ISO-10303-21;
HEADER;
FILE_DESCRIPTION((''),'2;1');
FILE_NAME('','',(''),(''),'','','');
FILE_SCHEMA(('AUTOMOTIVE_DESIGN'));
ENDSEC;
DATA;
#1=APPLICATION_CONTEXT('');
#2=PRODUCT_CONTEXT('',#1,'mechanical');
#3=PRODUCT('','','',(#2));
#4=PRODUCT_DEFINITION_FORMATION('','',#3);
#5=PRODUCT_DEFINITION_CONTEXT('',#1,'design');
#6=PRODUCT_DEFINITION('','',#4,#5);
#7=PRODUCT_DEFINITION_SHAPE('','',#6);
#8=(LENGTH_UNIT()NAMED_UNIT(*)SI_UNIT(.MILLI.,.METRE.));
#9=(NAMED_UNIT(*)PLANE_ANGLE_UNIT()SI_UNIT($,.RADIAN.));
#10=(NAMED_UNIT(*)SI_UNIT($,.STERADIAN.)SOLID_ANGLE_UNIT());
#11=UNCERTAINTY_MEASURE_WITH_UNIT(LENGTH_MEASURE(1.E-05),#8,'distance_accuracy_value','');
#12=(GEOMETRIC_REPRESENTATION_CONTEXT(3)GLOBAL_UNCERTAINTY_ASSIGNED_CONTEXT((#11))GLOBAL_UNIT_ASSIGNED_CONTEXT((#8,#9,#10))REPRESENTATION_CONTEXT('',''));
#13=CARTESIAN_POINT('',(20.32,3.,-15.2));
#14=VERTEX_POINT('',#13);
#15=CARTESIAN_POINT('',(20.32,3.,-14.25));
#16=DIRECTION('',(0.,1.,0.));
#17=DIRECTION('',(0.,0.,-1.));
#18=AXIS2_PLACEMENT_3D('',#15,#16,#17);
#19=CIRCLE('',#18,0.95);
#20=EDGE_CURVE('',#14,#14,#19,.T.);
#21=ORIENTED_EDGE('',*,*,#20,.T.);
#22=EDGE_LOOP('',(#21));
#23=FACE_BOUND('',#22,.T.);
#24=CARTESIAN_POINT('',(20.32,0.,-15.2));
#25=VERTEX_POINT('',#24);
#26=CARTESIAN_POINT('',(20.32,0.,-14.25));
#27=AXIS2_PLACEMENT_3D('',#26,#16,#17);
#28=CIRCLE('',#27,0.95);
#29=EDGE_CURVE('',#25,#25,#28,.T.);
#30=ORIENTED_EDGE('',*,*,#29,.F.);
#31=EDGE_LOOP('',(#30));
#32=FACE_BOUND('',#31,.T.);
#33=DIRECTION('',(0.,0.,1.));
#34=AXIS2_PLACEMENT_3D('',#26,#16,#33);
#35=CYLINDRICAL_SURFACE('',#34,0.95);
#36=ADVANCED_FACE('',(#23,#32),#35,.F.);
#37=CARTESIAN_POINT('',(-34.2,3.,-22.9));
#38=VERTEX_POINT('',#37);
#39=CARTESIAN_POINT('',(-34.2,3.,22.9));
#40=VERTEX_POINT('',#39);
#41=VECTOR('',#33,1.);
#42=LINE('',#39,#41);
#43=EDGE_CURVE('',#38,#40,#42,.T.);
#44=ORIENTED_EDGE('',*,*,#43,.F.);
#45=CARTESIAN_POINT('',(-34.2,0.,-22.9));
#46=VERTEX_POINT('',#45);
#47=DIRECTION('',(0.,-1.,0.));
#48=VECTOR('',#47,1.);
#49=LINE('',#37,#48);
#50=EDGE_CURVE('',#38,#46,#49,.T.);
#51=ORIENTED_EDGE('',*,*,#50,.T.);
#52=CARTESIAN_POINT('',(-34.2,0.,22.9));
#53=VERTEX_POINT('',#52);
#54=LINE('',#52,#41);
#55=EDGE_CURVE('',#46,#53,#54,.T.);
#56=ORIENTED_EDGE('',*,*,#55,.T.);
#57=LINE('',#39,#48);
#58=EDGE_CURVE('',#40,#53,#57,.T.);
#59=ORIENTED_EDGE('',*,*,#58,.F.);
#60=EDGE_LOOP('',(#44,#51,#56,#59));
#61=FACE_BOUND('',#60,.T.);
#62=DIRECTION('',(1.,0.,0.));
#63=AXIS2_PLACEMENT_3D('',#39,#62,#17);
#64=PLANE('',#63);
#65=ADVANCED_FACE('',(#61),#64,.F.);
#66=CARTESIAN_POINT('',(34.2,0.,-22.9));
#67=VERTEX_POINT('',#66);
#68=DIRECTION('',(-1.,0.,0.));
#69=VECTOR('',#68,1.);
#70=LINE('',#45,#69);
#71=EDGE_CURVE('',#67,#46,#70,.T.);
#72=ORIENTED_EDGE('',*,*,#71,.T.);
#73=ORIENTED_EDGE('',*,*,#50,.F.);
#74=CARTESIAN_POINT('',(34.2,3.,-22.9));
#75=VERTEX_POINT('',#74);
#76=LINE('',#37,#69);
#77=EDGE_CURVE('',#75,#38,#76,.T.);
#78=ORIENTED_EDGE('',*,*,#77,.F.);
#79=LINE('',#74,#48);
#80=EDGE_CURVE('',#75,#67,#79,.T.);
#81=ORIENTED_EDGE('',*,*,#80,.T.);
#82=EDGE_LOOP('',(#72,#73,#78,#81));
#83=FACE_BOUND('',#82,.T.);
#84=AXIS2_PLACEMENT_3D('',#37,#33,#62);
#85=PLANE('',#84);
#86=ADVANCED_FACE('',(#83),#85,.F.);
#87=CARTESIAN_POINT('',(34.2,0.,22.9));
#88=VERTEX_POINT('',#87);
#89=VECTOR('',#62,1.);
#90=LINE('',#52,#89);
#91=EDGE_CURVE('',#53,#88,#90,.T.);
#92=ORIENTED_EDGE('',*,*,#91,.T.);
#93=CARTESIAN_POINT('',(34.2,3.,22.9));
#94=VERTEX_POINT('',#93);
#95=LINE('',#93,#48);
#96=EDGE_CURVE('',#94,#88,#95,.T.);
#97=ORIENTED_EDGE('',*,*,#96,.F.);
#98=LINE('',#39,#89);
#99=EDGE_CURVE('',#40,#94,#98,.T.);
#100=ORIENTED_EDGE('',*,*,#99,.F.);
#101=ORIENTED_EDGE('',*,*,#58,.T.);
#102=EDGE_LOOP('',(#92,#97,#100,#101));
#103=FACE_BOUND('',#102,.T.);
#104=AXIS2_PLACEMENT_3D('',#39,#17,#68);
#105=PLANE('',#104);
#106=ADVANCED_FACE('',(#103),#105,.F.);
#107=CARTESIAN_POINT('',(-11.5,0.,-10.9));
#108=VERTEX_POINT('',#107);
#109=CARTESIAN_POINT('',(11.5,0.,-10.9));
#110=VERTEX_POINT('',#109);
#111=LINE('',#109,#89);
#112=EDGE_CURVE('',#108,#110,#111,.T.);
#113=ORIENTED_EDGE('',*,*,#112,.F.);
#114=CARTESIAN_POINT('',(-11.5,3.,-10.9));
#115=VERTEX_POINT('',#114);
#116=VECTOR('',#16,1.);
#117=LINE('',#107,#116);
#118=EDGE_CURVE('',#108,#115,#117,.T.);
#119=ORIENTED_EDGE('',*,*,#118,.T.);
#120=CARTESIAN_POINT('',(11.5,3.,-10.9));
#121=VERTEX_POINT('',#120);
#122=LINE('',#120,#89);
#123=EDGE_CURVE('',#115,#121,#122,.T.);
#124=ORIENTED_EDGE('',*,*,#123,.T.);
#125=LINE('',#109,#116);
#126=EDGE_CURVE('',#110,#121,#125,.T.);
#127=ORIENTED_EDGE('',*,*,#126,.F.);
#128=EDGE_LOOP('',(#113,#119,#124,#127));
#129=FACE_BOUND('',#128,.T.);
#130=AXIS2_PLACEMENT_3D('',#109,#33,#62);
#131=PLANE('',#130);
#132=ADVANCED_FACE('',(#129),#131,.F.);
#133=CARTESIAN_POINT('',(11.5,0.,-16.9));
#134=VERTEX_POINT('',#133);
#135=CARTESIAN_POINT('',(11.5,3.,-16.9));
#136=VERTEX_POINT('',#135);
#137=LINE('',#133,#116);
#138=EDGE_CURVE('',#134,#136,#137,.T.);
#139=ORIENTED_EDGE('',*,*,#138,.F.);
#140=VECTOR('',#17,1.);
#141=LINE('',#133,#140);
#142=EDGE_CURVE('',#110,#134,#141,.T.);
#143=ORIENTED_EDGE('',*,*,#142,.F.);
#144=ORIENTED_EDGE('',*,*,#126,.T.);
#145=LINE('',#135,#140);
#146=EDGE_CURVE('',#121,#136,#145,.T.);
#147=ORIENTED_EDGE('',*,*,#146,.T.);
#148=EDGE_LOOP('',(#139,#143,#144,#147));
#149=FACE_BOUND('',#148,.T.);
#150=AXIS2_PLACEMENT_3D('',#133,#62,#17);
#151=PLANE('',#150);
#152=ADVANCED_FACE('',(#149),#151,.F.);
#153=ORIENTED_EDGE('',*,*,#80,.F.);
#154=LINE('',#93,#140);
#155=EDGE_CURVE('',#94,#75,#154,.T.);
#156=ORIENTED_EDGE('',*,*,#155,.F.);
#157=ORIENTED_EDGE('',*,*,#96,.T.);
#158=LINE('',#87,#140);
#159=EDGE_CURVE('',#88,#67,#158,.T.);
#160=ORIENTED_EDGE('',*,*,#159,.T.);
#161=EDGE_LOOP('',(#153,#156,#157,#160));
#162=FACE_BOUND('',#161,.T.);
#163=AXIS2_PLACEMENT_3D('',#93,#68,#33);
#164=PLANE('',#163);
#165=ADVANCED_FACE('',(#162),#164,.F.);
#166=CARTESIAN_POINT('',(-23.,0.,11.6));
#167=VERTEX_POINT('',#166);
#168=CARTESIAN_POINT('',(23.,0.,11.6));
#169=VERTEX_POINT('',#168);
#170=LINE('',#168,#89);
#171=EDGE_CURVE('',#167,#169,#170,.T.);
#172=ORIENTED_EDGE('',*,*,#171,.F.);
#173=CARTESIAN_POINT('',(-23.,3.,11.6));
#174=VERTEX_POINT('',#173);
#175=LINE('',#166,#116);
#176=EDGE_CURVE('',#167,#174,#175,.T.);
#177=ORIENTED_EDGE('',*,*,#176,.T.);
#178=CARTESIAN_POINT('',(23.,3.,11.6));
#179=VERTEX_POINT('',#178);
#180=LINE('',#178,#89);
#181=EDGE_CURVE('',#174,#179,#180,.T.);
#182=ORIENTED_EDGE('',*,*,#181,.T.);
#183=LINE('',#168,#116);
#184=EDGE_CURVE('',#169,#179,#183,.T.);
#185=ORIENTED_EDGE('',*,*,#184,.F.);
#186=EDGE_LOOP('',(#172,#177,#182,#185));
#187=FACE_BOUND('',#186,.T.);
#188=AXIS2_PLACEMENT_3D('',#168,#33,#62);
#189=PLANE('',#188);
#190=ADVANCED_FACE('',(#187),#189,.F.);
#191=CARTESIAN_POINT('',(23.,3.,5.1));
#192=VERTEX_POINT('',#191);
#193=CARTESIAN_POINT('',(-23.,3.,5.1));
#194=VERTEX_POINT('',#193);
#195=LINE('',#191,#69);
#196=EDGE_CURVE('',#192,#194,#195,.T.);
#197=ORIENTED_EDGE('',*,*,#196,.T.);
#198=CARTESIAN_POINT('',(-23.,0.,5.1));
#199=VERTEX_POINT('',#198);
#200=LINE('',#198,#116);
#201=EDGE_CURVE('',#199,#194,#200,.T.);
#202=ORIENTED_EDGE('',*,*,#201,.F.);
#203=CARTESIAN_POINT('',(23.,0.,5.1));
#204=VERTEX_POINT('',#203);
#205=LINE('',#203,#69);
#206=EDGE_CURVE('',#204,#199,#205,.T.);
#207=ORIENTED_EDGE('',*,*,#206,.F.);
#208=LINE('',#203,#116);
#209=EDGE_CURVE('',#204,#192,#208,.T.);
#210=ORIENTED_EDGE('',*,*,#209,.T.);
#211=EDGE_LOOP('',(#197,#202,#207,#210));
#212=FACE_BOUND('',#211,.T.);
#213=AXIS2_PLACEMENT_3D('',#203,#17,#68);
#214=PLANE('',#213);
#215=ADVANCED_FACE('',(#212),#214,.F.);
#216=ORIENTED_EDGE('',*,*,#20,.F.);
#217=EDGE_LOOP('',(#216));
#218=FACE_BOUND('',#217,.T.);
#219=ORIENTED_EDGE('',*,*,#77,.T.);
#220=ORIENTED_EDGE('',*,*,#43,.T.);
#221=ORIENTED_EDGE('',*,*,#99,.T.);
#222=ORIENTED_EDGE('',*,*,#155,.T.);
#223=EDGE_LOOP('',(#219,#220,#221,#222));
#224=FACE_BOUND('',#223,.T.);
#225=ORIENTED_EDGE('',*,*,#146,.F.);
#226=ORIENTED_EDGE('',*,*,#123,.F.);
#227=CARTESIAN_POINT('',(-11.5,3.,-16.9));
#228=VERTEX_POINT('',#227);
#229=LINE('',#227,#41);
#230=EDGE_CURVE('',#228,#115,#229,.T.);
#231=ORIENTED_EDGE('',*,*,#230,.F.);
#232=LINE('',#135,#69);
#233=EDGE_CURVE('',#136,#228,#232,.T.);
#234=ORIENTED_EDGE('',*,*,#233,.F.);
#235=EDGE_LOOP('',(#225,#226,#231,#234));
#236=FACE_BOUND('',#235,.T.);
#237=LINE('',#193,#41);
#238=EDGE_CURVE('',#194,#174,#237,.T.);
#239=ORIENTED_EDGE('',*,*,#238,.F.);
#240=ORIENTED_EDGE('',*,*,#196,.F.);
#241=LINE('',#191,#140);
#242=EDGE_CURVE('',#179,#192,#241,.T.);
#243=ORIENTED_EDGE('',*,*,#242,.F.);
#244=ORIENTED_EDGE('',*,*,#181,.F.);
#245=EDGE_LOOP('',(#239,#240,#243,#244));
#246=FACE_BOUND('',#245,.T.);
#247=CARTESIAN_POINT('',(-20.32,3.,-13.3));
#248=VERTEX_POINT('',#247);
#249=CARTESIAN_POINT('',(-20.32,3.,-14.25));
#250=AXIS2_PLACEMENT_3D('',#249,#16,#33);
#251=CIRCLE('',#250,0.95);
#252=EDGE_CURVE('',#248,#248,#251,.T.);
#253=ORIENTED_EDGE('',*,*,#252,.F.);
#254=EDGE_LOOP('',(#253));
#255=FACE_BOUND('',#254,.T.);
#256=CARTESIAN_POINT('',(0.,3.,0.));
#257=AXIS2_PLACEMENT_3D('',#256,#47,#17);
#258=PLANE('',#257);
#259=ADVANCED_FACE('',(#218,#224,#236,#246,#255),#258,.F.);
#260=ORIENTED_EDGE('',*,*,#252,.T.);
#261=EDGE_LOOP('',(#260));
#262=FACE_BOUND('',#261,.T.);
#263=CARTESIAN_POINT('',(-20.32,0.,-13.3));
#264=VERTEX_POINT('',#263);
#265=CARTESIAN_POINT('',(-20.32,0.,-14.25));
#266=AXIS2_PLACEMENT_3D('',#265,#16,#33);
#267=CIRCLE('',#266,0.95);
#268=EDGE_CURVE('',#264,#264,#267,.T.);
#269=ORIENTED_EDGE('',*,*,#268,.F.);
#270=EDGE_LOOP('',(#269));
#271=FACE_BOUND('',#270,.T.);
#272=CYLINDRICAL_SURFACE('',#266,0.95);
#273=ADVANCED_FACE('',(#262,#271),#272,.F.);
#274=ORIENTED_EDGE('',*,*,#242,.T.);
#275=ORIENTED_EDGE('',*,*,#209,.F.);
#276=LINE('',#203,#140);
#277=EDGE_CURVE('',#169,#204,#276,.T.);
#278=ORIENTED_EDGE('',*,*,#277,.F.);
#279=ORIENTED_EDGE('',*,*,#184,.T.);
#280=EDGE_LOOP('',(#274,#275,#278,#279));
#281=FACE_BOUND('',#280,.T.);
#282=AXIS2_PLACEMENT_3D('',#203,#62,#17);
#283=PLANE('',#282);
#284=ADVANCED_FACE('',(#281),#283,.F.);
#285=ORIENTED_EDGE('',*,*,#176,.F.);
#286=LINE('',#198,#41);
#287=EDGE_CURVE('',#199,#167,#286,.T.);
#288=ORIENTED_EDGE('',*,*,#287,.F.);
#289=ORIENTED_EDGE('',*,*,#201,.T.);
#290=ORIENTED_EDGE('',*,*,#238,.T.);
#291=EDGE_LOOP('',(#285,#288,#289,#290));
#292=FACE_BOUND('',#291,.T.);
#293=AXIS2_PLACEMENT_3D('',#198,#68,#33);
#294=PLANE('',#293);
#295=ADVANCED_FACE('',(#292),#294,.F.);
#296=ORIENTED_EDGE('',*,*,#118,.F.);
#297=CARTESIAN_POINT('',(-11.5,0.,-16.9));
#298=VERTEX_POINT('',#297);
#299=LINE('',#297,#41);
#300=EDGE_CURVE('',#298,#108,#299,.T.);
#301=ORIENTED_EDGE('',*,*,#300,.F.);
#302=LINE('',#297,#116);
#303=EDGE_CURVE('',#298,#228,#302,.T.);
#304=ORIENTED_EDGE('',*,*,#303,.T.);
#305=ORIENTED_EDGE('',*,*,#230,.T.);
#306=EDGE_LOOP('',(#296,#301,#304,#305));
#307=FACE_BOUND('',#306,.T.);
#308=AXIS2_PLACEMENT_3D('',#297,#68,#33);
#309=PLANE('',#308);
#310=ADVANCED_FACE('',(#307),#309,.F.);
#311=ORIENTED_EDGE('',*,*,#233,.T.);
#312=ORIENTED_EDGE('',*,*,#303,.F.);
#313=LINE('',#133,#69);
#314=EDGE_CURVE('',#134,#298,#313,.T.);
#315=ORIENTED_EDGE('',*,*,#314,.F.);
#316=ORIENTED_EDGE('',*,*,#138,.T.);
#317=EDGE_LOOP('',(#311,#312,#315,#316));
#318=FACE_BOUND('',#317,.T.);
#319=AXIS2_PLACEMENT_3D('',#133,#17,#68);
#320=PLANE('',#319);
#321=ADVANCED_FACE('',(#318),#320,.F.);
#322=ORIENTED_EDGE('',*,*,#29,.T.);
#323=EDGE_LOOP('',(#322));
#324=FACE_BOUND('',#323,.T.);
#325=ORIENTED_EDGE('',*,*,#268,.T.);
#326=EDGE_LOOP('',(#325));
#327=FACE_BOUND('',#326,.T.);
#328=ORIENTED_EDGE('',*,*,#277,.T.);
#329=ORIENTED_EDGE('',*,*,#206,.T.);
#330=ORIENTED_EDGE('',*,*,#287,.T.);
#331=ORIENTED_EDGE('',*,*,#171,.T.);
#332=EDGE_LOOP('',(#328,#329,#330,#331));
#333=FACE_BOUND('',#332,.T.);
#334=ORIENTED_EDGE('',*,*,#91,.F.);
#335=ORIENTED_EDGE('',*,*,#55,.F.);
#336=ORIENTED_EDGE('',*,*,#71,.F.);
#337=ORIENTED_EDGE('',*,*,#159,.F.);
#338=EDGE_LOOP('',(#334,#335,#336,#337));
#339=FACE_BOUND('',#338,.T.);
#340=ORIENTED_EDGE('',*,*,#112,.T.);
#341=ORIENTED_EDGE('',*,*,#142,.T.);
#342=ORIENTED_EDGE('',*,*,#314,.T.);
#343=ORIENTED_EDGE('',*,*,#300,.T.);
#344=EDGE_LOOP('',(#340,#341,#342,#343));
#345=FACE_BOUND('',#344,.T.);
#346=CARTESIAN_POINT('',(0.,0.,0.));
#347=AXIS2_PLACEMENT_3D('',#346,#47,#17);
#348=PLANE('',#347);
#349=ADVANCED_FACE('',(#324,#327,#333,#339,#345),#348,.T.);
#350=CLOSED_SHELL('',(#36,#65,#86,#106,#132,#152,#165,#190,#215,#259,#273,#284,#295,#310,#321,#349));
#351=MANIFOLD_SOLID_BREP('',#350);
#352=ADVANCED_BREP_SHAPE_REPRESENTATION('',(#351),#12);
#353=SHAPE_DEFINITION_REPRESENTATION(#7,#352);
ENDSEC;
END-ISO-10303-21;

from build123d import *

# Parameters (mm, degrees)
SKETCH1_W           = 68.4
SKETCH1_H           = 45.8
BOSS_EXTRUDE1_DEPTH = 3
SKETCH2_R           = 0.95
CUT_EXTRUDE1_DEPTH  = 42.268026364
SKETCH3_W           = 23
SKETCH3_H           = 6
SKETCH3_W_2         = 46
SKETCH3_H_2         = 6.5
CUT_EXTRUDE2_DEPTH  = 42.268026364


with BuildPart() as part:
    # Sketch1 → Boss-Extrude1 (new body)
    with BuildSketch(Plane(origin=(0, 0, 0), x_dir=(1, 0, 0), z_dir=(0, 1, 0))):
        Rectangle(SKETCH1_W, SKETCH1_H)
    extrude(amount=BOSS_EXTRUDE1_DEPTH)

    # Sketch2 → Cut-Extrude1 (cut, through all)
    with BuildSketch(Plane(origin=(0, 3, 0), x_dir=(1, 0, 0), z_dir=(0, 1, 0))):
        with Locations(Location((-20.32, 14.25, 0), (0, 0, 270))):
            Circle(SKETCH2_R)
        with Locations(Location((20.32, 14.25, 0), (0, 0, 90))):
            Circle(SKETCH2_R)
    extrude(amount=-CUT_EXTRUDE1_DEPTH, mode=Mode.SUBTRACT)

    # Sketch3 → Cut-Extrude2 (cut, through all)
    with BuildSketch(Plane(origin=(0, 3, 0), x_dir=(1, 0, 0), z_dir=(0, 1, 0))):
        with Locations((0, 13.9)):
            Rectangle(SKETCH3_W, SKETCH3_H)
        with Locations((0, -8.35)):
            Rectangle(SKETCH3_W_2, SKETCH3_H_2)
    extrude(amount=-CUT_EXTRUDE2_DEPTH, mode=Mode.SUBTRACT)


solid = part.part
